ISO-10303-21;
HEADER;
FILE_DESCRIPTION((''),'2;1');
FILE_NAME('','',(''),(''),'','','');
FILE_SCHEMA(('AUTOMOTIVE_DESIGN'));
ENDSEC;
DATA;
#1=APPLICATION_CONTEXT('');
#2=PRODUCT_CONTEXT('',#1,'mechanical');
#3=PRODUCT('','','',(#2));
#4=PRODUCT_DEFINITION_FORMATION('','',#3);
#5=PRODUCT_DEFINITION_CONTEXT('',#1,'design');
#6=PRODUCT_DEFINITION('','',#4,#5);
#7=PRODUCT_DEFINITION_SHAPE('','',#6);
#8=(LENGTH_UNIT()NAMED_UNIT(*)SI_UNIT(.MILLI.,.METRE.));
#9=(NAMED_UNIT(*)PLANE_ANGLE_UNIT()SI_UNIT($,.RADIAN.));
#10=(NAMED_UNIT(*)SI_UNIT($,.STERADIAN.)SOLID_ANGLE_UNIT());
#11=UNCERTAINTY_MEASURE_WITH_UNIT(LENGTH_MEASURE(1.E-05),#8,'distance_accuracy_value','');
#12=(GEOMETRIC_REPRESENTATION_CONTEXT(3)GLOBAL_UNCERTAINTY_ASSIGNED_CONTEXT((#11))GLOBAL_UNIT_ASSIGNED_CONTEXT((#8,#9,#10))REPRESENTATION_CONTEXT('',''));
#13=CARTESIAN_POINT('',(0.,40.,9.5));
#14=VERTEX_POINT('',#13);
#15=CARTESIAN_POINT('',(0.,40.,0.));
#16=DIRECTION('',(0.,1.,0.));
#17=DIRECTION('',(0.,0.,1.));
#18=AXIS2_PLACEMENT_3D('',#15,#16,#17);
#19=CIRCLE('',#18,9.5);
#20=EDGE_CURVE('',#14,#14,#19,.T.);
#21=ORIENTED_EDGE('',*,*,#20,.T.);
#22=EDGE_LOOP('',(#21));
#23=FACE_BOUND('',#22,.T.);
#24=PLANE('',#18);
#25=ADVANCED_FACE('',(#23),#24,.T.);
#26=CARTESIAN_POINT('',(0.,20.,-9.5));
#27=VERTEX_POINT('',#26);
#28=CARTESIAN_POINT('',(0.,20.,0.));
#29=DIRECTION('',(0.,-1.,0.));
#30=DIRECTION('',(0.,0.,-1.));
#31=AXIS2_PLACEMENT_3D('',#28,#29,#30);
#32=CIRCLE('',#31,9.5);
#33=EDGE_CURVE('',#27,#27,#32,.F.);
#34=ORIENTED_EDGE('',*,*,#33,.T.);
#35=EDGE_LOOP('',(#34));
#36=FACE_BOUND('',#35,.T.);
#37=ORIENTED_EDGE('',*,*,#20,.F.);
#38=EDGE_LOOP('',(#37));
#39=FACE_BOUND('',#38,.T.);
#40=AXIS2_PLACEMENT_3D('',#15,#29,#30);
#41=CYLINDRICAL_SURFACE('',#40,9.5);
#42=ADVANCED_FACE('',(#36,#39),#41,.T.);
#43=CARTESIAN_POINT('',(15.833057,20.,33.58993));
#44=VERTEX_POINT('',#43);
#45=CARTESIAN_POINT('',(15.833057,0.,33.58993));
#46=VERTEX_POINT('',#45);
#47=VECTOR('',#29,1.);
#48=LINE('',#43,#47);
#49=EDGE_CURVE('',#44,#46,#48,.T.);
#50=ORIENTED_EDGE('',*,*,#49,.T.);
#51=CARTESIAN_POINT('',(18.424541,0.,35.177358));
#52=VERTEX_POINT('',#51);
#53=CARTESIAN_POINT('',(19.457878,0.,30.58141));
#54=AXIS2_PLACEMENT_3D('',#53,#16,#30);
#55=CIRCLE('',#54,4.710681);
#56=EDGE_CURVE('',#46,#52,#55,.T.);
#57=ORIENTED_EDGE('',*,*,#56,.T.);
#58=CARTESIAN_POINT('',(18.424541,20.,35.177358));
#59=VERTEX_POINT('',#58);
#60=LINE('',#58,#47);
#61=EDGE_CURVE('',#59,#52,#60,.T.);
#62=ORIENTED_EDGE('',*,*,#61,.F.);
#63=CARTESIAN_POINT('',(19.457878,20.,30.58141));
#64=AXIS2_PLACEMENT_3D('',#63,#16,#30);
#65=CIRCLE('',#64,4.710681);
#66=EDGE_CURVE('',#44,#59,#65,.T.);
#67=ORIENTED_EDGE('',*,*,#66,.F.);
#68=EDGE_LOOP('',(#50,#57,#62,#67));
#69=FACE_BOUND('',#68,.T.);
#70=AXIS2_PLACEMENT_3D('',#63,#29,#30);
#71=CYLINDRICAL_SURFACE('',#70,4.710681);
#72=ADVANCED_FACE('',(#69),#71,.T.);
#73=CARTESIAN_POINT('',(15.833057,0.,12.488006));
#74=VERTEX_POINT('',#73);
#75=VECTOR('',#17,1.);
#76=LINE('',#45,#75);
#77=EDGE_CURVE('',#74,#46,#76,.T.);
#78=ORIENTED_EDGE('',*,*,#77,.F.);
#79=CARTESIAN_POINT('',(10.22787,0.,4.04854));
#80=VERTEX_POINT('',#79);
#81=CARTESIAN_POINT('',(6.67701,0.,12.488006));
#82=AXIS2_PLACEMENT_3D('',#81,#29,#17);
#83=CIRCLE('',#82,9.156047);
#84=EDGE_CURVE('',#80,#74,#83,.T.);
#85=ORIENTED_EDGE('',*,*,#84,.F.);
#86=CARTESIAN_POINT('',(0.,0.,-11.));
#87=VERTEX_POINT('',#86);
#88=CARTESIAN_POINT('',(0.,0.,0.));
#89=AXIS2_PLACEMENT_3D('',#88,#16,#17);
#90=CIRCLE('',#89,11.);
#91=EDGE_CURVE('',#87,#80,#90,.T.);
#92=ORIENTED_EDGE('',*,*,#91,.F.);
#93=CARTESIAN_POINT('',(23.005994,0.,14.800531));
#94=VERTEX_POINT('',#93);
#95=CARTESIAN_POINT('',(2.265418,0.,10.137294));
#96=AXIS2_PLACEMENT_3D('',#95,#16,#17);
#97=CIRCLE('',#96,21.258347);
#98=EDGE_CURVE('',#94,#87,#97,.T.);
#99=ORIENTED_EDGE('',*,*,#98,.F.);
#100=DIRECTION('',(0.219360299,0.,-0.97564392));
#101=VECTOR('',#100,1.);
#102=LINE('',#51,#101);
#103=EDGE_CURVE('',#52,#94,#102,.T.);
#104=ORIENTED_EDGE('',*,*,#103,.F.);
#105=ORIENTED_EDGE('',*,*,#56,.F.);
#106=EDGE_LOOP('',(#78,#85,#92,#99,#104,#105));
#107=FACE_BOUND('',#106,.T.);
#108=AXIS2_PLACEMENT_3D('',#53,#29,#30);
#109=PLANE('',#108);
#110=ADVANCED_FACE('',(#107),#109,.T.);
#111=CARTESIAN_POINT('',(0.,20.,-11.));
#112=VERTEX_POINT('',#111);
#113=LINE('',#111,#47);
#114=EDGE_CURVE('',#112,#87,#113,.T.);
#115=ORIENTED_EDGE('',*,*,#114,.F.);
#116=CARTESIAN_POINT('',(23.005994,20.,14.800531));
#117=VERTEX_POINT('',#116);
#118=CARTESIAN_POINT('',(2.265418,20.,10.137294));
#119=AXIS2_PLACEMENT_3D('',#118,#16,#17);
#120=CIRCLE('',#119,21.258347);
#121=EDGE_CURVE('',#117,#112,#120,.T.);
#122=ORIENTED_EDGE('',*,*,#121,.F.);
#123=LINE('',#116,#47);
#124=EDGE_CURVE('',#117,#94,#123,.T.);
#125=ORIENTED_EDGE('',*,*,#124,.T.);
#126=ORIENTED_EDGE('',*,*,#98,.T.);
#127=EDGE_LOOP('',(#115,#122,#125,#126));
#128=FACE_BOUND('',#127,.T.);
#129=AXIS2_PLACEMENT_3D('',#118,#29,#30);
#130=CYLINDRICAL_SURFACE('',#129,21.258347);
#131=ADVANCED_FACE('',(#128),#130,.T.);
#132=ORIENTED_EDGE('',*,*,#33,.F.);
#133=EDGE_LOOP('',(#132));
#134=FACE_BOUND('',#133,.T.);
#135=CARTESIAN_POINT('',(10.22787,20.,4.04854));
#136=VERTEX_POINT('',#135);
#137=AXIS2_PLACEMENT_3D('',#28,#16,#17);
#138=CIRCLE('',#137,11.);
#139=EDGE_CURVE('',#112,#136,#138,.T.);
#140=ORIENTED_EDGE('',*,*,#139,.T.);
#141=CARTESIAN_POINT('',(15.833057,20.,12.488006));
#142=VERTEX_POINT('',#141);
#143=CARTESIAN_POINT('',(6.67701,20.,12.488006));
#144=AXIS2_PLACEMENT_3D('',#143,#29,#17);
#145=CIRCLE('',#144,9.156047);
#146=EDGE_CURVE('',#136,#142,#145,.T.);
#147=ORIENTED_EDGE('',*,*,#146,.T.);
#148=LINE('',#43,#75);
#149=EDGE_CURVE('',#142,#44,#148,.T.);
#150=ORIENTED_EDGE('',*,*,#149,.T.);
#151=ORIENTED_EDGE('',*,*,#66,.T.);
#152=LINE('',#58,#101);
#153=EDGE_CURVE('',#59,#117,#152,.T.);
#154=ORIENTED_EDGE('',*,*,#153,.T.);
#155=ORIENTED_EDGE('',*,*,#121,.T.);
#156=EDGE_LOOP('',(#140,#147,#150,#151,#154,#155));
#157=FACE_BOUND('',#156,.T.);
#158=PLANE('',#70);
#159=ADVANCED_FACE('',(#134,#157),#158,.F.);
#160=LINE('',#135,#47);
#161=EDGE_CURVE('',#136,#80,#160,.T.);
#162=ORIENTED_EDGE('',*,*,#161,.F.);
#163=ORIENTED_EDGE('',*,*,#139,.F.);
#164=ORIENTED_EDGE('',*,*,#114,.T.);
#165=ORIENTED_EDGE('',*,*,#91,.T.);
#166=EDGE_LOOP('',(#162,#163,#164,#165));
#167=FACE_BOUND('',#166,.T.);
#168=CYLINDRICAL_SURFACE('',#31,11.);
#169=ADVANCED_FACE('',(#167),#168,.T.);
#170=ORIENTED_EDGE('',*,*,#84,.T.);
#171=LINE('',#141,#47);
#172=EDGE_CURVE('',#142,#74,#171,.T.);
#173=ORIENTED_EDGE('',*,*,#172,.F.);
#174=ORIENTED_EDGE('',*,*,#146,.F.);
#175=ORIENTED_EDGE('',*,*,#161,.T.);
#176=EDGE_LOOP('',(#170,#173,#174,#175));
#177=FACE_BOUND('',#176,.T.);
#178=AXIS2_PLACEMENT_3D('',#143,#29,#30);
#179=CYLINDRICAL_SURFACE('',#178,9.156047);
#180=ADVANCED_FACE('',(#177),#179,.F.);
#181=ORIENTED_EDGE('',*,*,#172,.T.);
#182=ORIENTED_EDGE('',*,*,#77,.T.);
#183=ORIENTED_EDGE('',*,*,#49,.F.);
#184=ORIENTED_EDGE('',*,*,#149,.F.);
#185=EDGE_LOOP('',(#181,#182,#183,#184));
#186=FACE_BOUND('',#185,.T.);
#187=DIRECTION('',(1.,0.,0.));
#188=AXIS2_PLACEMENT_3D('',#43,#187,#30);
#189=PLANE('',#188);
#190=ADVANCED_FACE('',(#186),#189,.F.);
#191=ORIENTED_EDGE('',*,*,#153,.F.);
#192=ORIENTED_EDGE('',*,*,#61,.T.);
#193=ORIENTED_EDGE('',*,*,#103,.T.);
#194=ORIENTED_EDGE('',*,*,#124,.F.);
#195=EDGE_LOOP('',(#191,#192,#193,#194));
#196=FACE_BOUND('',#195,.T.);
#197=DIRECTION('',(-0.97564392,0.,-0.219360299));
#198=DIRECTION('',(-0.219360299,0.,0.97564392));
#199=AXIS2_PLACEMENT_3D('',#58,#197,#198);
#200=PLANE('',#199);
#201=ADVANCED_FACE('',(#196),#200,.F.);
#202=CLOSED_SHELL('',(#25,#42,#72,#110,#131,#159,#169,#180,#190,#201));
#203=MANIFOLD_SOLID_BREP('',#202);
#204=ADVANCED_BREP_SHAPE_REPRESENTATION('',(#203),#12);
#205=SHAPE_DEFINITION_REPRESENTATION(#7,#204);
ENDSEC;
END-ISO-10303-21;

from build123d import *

# Parameters (mm, degrees)
BOSS_EXTRUDE1_DEPTH = 20
SKETCH4_R           = 9.5
BOSS_EXTRUDE2_DEPTH = 20


with BuildPart() as part:
    # Sketch1 → Boss-Extrude1 (new body)
    with BuildSketch(Plane(origin=(0, 0, 0), x_dir=(1, 0, 0), z_dir=(0, 1, 0))):
        with BuildLine():
            Line((18.424541272, -35.177357689), (23.005994318, -14.800530945))
            ThreePointArc((23.005994318, -14.800530945), (18.132040633, 4.01076546), (0, 11))
            ThreePointArc((0, 11), (-9.097635455, -6.183286273), (10.227869895, -4.048540158))
            ThreePointArc((10.227869895, -4.048540158), (14.304101202, -7.422369294), (15.833057178, -12.488006305))
            Line((15.833057178, -12.488006305), (15.833057178, -33.589930418))
            ThreePointArc((15.833057178, -33.589930418), (16.997270485, -34.598365473), (18.424541272, -35.177357689))
        make_face()
    extrude(amount=BOSS_EXTRUDE1_DEPTH)

    # Sketch4 → Boss-Extrude2 (add)
    with BuildSketch(Plane(origin=(0, 20, 0), x_dir=(1, 0, 0), z_dir=(0, 1, 0))):
        with Locations(Location((0, 0, 0), (0, 0, 90))):
            Circle(SKETCH4_R)
    extrude(amount=BOSS_EXTRUDE2_DEPTH)


solid = part.part
